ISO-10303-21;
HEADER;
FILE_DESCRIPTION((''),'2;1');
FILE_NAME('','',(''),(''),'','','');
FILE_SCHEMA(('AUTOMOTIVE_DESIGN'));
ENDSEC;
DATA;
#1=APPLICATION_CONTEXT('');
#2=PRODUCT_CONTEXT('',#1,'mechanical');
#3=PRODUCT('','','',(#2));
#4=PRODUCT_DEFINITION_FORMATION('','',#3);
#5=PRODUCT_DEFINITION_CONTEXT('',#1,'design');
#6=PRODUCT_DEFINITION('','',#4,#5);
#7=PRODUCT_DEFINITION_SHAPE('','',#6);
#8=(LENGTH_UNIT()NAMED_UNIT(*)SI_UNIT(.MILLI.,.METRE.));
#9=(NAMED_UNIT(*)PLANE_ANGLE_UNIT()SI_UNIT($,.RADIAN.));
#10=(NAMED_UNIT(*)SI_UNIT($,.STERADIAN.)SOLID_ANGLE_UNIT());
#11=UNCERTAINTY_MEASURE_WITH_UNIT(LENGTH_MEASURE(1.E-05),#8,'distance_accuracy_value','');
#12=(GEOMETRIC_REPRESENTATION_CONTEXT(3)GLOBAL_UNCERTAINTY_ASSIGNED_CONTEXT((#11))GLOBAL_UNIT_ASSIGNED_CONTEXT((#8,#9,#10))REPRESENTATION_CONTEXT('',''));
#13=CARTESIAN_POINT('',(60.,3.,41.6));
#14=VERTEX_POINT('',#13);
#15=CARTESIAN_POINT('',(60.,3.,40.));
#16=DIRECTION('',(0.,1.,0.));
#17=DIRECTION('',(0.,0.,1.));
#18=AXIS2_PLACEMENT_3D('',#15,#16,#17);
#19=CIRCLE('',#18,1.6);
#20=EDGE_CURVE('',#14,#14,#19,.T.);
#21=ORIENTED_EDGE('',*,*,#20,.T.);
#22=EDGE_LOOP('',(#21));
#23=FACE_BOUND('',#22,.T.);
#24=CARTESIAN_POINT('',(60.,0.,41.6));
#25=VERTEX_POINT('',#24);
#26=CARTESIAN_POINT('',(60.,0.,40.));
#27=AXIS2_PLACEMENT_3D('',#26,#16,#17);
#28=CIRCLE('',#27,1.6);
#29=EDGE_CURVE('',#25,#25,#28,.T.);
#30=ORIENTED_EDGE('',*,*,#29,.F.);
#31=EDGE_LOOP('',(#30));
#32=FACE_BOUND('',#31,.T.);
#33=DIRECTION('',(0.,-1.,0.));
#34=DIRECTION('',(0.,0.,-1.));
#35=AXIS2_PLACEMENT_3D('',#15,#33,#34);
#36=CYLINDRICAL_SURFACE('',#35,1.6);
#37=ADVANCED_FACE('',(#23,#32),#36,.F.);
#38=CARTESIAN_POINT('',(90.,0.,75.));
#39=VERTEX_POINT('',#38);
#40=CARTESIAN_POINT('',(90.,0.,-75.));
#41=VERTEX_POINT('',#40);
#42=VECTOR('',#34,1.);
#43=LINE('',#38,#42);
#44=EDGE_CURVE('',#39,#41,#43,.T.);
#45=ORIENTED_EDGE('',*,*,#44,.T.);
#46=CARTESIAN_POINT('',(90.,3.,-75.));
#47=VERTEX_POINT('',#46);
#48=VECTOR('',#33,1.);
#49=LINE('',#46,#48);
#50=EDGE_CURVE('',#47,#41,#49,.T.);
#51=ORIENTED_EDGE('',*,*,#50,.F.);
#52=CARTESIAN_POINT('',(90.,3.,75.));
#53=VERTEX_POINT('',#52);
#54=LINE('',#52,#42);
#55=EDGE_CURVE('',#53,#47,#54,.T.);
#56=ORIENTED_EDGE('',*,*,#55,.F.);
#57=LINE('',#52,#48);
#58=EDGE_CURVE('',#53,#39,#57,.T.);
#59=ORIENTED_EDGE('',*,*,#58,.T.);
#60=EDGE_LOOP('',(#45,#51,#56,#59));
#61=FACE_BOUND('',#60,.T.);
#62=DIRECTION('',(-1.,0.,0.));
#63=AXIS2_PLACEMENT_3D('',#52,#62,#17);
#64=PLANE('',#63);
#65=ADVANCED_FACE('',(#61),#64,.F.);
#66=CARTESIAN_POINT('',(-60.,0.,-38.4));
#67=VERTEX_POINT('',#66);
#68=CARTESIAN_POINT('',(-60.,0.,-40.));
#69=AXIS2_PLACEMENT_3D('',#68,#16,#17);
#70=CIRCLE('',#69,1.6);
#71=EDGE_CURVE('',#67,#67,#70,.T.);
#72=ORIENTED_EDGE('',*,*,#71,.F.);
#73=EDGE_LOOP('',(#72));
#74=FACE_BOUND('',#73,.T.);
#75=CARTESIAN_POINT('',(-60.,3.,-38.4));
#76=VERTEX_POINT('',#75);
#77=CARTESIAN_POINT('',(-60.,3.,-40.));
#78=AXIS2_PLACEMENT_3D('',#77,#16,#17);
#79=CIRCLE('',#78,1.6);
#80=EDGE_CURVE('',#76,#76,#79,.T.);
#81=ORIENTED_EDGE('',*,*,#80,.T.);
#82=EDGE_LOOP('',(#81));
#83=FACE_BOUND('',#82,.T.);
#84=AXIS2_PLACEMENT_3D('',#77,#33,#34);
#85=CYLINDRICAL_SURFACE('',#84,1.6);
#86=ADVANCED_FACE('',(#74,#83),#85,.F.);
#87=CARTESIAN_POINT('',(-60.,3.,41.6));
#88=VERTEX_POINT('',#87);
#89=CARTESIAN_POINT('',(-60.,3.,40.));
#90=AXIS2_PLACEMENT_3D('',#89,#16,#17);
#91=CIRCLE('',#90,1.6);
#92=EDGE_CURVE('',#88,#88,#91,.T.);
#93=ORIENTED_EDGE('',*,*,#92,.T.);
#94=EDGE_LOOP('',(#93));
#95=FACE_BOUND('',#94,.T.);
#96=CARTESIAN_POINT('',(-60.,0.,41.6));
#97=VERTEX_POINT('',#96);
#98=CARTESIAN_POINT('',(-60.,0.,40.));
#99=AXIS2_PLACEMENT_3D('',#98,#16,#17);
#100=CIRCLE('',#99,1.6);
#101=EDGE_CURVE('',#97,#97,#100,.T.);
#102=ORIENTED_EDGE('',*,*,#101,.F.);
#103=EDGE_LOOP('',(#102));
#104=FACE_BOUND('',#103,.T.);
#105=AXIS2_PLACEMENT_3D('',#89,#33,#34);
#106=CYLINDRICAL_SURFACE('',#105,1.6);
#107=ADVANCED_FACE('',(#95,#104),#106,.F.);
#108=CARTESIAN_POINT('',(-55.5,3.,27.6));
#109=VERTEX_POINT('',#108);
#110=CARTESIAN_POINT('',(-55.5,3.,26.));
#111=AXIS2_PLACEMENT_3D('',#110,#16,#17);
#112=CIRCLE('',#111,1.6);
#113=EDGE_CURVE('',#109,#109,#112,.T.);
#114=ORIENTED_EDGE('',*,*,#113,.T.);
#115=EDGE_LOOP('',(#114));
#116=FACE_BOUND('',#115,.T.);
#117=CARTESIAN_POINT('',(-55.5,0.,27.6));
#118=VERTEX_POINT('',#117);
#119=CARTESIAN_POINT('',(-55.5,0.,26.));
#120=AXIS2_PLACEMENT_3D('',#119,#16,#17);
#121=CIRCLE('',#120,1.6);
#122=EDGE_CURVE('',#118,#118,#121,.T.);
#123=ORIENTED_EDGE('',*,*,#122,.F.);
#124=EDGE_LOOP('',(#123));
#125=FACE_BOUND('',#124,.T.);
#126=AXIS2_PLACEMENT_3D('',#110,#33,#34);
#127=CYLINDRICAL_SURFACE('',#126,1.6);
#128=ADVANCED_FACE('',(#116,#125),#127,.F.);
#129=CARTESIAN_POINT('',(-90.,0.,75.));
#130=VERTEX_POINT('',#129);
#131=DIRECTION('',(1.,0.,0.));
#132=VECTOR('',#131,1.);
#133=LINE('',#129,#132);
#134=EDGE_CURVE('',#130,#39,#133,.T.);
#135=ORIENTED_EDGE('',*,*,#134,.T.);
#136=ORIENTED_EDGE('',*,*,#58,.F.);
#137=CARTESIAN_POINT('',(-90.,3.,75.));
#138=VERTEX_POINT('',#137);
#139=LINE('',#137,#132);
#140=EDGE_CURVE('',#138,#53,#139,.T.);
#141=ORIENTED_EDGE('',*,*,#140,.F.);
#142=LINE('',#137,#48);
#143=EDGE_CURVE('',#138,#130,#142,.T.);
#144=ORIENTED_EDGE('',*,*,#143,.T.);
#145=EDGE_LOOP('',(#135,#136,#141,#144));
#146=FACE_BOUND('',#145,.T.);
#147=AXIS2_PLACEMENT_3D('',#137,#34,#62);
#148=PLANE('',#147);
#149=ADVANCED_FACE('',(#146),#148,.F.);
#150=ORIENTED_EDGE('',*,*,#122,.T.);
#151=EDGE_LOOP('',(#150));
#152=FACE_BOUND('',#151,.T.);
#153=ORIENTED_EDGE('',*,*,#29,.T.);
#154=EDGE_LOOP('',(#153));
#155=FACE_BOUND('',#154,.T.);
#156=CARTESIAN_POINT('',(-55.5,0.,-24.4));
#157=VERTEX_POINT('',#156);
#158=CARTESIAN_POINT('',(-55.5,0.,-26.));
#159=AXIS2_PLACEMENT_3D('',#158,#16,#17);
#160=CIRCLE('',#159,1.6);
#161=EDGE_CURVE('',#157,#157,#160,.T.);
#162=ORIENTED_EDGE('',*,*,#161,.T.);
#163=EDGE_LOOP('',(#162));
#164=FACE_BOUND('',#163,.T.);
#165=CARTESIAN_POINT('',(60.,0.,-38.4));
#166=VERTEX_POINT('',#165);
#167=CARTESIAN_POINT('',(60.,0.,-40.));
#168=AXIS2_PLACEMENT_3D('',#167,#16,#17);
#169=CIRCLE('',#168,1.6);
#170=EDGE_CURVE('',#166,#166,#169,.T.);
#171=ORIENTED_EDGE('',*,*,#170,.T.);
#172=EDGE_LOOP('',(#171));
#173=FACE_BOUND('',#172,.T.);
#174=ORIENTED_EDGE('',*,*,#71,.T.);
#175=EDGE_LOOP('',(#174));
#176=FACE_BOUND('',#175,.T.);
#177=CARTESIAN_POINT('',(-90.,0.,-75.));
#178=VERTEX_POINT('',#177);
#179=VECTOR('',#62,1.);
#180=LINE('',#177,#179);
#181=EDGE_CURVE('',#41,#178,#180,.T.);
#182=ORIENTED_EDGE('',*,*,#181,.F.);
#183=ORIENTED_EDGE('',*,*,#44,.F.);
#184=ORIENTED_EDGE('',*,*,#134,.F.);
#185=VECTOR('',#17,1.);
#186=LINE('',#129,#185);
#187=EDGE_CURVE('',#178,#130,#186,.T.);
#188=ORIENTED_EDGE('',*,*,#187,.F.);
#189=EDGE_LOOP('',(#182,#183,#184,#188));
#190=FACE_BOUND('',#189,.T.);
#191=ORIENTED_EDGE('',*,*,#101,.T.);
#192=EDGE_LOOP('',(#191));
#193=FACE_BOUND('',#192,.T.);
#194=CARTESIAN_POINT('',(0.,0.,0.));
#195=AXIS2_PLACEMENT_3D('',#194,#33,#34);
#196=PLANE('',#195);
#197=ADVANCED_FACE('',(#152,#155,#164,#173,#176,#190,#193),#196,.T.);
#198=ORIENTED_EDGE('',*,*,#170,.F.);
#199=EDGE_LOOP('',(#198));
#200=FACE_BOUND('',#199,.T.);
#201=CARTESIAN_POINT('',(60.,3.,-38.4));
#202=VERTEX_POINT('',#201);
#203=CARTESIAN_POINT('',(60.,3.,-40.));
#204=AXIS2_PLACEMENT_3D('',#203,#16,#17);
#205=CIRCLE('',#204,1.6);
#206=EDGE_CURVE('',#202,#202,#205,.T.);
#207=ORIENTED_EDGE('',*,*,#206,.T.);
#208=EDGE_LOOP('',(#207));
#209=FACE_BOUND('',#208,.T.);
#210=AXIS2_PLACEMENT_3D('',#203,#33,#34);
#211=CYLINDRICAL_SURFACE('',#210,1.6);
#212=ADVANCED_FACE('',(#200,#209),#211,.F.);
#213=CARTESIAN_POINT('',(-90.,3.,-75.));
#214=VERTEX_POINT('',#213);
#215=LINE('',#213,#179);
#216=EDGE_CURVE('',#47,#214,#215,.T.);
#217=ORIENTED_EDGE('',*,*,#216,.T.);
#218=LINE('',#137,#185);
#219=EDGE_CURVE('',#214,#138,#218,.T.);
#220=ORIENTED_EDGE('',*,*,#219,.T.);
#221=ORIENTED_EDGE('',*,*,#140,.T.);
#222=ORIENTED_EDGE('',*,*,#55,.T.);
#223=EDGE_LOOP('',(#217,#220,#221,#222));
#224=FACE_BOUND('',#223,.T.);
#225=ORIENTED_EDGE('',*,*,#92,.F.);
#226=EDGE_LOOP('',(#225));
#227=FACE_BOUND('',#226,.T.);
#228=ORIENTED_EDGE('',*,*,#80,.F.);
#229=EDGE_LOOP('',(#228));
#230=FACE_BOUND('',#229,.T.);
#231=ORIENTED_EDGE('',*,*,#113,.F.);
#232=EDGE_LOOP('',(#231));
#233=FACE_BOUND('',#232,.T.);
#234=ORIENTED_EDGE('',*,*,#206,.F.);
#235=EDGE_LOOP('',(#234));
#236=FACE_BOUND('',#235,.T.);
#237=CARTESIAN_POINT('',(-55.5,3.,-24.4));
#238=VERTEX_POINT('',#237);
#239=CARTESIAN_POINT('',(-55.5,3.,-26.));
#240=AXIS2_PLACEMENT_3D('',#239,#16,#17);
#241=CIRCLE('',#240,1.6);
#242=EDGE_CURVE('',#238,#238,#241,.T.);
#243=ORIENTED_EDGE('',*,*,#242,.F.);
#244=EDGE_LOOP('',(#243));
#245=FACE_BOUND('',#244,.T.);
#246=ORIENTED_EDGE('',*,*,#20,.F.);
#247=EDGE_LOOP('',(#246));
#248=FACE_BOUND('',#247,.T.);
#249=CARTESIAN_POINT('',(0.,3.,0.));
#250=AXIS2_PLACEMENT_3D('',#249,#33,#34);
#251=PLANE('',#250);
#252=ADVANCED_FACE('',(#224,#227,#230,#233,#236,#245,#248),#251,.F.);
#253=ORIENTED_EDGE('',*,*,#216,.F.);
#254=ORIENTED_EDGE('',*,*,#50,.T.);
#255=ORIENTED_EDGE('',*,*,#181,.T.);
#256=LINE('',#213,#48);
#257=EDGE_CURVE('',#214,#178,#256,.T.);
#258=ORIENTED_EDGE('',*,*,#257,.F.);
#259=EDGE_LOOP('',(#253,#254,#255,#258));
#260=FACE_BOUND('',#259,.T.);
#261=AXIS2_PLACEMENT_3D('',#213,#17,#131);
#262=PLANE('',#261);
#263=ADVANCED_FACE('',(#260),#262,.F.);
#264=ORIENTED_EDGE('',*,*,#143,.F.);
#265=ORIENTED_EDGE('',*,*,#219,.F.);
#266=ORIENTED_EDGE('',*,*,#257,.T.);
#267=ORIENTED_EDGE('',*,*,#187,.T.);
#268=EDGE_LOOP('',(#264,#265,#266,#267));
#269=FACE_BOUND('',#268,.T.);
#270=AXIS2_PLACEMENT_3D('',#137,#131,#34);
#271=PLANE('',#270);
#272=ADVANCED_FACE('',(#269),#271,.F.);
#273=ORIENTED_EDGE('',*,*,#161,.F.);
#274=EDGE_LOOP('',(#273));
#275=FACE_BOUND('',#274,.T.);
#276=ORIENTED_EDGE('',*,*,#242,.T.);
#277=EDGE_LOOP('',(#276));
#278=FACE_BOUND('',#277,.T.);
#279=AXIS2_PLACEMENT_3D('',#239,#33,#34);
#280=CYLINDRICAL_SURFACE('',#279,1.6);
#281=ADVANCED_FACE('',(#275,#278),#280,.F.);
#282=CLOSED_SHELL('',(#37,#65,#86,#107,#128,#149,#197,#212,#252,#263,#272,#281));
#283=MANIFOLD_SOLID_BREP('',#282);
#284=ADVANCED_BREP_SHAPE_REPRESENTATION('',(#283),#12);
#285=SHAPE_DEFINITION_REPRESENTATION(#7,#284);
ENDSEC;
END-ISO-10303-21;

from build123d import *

# Parameters (mm, degrees)
SKETCH1_W           = 180
SKETCH1_H           = 150
SKETCH1_R           = 1.6
BOSS_EXTRUDE1_DEPTH = 3


with BuildPart() as part:
    # Sketch1 → Boss-Extrude1 (new body)
    with BuildSketch(Plane(origin=(0, 0, 0), x_dir=(1, 0, 0), z_dir=(0, 1, 0))):
        Rectangle(SKETCH1_W, SKETCH1_H)
        with Locations(Location((-60, -40, 0), (0, 0, 270))):
            Circle(SKETCH1_R, mode=Mode.SUBTRACT)
        with Locations(Location((-60, 40, 0), (0, 0, 270))):
            Circle(SKETCH1_R, mode=Mode.SUBTRACT)
        with Locations(Location((60, -40, 0), (0, 0, 270))):
            Circle(SKETCH1_R, mode=Mode.SUBTRACT)
        with Locations(Location((60, 40, 0), (0, 0, 270))):
            Circle(SKETCH1_R, mode=Mode.SUBTRACT)
        with Locations(Location((-55.5, -26, 0), (0, 0, 270))):
            Circle(SKETCH1_R, mode=Mode.SUBTRACT)
        with Locations(Location((-55.5, 26, 0), (0, 0, 270))):
            Circle(SKETCH1_R, mode=Mode.SUBTRACT)
    extrude(amount=BOSS_EXTRUDE1_DEPTH)


solid = part.part
